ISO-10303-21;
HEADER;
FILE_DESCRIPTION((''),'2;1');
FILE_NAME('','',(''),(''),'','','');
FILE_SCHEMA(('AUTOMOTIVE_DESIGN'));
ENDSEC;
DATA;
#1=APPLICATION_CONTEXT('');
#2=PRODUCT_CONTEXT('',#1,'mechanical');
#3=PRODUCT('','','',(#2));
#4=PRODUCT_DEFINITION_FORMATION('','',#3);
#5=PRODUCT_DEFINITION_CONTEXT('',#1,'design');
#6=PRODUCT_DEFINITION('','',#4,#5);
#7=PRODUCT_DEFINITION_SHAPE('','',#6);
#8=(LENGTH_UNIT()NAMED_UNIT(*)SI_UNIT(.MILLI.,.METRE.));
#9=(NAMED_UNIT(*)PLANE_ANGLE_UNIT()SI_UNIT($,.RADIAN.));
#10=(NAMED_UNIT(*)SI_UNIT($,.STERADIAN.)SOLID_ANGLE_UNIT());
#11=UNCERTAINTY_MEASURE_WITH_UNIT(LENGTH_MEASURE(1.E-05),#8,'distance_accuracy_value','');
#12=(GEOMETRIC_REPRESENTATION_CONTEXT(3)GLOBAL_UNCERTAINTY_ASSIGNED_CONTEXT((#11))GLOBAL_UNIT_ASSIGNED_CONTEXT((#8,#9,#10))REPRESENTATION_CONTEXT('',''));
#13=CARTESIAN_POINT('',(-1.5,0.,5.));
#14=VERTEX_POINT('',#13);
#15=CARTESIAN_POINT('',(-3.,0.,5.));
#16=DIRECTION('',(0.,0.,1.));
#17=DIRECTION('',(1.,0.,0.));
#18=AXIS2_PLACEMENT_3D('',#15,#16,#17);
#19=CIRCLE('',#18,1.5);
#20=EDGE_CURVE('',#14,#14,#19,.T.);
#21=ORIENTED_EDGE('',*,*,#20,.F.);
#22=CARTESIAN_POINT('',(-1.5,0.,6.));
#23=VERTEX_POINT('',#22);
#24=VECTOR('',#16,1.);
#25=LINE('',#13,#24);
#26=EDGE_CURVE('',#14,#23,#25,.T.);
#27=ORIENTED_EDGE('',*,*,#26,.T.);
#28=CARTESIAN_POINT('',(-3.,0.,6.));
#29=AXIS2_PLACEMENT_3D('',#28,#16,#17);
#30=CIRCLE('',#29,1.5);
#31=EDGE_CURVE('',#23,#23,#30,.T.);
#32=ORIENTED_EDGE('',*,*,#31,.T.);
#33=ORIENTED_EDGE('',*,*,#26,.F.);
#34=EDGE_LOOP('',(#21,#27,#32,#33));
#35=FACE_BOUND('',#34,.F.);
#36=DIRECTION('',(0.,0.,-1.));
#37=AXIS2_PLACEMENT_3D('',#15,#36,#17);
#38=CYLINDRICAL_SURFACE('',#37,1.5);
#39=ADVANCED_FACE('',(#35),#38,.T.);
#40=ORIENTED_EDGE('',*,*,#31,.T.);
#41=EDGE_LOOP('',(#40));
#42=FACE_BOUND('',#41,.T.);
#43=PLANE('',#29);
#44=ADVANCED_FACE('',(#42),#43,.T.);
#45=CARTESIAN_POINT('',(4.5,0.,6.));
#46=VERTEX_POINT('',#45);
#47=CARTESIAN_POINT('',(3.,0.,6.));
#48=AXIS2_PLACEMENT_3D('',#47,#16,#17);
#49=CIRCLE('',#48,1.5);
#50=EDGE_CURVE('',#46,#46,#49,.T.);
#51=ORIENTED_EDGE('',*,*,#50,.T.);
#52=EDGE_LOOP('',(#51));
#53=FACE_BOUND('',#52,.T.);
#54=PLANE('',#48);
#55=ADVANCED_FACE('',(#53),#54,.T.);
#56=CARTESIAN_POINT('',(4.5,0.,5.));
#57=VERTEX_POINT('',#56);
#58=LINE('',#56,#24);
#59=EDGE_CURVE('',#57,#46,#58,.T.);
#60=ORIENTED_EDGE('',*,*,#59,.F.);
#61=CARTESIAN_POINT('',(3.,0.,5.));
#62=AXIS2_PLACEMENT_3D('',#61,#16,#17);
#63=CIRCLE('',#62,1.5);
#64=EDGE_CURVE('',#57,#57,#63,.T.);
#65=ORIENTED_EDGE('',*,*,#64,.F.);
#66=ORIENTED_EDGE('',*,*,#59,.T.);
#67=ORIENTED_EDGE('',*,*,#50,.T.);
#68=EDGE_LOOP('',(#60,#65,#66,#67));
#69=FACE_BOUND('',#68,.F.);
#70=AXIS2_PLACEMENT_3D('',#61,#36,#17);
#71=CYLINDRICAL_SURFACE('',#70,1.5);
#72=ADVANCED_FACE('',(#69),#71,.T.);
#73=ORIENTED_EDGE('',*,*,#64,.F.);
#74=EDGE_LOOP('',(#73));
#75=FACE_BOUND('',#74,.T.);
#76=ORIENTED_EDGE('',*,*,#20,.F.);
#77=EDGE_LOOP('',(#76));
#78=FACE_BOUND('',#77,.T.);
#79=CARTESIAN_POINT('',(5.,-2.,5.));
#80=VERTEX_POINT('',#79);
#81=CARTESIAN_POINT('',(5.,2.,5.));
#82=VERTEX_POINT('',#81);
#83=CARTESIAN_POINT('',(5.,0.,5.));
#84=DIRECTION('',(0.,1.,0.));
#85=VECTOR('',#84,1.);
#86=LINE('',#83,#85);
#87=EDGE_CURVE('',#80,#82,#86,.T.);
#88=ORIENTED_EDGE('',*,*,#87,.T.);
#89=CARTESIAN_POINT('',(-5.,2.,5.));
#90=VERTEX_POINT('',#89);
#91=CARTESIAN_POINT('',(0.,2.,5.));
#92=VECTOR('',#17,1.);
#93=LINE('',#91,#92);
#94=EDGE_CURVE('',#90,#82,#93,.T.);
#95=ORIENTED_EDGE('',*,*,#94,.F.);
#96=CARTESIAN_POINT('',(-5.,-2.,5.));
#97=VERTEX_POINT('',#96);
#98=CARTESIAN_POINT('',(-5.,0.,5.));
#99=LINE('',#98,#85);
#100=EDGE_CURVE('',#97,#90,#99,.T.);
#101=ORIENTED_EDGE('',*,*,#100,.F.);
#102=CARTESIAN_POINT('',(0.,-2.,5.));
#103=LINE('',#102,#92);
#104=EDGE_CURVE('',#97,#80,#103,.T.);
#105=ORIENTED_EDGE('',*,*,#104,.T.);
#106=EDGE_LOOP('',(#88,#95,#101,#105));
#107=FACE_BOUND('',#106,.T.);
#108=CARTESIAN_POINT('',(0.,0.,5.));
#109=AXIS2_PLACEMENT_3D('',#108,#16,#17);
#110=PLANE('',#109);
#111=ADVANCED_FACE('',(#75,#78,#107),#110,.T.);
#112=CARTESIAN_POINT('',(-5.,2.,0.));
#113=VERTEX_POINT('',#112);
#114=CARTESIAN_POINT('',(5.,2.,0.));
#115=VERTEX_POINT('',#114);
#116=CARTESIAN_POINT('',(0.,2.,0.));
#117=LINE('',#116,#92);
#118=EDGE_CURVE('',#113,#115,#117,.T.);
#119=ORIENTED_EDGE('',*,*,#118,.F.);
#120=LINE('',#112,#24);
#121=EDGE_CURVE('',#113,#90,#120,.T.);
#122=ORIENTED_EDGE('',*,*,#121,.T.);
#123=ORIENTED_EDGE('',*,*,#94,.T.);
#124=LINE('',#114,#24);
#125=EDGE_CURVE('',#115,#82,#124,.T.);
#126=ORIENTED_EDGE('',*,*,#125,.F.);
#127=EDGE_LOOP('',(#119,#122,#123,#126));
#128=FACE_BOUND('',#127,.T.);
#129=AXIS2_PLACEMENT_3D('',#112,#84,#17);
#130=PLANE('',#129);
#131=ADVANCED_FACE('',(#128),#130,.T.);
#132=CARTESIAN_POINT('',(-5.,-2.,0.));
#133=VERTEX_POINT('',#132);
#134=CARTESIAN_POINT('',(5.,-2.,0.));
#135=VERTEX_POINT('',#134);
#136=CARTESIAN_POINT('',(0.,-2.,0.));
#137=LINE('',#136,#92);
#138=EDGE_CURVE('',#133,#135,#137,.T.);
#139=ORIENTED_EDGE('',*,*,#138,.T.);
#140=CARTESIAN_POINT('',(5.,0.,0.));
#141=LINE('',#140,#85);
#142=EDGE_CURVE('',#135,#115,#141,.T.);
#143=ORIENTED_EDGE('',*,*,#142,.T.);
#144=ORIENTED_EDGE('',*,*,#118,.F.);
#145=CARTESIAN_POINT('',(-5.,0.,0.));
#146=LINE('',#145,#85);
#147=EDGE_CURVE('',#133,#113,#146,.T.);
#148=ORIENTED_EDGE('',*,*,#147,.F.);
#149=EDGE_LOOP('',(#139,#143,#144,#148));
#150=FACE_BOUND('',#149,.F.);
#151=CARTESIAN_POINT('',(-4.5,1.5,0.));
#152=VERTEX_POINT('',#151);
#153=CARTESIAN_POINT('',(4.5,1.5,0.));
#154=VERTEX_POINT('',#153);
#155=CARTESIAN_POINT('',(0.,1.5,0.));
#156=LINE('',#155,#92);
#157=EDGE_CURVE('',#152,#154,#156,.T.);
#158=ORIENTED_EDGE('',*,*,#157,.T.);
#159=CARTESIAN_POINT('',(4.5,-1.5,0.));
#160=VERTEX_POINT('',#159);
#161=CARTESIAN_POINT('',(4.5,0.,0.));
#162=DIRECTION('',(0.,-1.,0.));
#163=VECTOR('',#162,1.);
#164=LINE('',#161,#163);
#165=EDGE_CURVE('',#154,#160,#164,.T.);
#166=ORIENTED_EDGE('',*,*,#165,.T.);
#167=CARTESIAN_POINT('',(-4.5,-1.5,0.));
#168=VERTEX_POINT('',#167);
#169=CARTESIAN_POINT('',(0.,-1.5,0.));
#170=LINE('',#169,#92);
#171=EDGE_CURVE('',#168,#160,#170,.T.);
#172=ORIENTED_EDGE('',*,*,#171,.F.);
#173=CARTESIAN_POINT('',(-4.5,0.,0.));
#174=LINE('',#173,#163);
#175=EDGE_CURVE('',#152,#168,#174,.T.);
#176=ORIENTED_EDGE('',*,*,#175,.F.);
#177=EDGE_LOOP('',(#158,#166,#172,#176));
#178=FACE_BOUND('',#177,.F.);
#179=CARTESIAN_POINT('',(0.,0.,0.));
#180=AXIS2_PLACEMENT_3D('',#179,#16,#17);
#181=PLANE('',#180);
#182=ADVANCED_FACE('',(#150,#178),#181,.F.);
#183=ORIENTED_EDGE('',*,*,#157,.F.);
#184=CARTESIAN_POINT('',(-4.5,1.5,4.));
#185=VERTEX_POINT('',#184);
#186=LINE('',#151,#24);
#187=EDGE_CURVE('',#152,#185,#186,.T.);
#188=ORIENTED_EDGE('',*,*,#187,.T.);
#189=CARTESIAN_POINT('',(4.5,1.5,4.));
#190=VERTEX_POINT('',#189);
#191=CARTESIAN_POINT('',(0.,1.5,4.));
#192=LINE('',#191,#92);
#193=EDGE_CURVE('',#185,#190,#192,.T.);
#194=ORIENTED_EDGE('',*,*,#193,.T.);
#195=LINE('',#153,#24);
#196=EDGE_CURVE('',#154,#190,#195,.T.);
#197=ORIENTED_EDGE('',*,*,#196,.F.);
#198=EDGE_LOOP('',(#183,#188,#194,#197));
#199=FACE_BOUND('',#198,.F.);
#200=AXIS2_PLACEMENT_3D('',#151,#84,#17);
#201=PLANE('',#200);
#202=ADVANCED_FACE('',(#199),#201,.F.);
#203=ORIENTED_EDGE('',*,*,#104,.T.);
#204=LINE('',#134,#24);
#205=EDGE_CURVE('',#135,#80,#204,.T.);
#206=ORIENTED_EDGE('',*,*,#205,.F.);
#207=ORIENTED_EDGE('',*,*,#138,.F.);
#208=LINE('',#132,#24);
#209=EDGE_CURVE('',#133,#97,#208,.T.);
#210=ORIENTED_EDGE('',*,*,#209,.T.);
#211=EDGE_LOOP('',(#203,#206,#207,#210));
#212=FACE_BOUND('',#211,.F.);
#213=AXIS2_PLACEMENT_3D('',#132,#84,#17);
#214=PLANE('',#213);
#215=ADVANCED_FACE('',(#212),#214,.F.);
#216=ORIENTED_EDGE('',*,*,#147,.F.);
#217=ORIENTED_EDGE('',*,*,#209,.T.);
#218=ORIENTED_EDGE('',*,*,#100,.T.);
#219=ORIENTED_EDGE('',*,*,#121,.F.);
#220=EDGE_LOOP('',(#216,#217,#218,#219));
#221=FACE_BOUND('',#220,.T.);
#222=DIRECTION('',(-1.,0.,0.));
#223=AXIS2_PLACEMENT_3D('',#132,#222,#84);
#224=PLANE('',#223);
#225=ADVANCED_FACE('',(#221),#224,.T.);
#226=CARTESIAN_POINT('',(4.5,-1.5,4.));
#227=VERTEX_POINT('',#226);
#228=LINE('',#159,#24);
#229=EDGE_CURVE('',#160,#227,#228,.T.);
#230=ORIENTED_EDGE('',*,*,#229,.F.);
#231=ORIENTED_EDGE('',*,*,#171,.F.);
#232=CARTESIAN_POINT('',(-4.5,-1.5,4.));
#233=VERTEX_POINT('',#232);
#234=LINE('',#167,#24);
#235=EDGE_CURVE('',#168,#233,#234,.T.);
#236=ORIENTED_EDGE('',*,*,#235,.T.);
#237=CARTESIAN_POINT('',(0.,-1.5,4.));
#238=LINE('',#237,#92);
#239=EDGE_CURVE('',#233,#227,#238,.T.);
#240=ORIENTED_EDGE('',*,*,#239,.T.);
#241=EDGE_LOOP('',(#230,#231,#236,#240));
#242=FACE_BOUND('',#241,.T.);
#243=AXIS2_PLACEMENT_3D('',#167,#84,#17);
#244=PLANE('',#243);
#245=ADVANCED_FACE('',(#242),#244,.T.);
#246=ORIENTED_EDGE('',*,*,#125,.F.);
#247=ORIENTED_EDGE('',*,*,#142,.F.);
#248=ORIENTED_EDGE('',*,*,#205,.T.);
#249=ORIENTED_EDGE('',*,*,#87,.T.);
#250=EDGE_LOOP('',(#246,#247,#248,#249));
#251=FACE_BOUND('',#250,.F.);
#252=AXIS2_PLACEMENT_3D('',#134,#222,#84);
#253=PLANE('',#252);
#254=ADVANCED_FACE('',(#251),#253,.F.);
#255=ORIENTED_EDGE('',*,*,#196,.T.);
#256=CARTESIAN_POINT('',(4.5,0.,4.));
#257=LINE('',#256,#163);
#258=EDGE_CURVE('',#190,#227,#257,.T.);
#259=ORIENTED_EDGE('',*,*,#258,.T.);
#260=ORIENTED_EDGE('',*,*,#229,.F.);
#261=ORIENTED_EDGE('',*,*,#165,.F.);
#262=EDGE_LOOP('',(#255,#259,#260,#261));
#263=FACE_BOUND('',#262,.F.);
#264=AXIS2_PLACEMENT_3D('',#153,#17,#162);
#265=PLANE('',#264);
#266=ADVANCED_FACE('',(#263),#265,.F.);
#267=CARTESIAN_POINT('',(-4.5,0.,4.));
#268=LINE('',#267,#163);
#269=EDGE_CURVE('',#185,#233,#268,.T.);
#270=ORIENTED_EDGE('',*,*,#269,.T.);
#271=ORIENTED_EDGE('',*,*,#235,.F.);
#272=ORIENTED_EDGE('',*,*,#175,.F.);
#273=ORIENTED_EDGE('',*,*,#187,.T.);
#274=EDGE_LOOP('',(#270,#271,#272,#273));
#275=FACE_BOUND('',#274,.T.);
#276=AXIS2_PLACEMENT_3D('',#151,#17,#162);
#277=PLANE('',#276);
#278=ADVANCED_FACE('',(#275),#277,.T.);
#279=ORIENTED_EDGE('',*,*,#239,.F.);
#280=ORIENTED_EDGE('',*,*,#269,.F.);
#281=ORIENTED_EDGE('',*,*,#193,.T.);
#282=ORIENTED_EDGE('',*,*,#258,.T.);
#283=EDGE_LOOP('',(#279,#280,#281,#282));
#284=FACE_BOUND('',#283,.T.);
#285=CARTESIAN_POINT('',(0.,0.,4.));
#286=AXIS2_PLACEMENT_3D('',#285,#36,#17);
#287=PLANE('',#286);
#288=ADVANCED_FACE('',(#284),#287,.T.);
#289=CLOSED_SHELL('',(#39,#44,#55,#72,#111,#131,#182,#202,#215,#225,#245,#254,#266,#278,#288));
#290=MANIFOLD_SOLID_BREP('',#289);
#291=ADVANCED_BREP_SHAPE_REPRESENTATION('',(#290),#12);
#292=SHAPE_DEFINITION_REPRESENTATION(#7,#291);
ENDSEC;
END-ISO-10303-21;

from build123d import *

# Parameters (mm, degrees)
F0_W     = 10
F0_H     = 4
F1_DEPTH = 5
F2_R     = 1.5
F3_DEPTH = 1
F4_W     = 9
F4_H     = 3
F5_DEPTH = 4


with BuildPart() as f1:
    # F0 (on Top) → F1 (new body)
    with BuildSketch(Plane.XY):
        Rectangle(F0_W, F0_H)
    extrude(amount=F1_DEPTH)

    # F2 (on face) → F3 (join)
    with BuildSketch(Plane.XY.offset(5)):
        with Locations((-3, 0)):
            Circle(F2_R)
        with Locations((3, 0)):
            Circle(F2_R)
    extrude(amount=F3_DEPTH)

    # F4 (on face) → F5 (cut)
    with BuildSketch(Plane(origin=(0, 0, 0), x_dir=(1, 0, 0), z_dir=(0, 0, -1))):
        Rectangle(F4_W, F4_H)
    extrude(amount=-F5_DEPTH, mode=Mode.SUBTRACT)


solid = f1.part
